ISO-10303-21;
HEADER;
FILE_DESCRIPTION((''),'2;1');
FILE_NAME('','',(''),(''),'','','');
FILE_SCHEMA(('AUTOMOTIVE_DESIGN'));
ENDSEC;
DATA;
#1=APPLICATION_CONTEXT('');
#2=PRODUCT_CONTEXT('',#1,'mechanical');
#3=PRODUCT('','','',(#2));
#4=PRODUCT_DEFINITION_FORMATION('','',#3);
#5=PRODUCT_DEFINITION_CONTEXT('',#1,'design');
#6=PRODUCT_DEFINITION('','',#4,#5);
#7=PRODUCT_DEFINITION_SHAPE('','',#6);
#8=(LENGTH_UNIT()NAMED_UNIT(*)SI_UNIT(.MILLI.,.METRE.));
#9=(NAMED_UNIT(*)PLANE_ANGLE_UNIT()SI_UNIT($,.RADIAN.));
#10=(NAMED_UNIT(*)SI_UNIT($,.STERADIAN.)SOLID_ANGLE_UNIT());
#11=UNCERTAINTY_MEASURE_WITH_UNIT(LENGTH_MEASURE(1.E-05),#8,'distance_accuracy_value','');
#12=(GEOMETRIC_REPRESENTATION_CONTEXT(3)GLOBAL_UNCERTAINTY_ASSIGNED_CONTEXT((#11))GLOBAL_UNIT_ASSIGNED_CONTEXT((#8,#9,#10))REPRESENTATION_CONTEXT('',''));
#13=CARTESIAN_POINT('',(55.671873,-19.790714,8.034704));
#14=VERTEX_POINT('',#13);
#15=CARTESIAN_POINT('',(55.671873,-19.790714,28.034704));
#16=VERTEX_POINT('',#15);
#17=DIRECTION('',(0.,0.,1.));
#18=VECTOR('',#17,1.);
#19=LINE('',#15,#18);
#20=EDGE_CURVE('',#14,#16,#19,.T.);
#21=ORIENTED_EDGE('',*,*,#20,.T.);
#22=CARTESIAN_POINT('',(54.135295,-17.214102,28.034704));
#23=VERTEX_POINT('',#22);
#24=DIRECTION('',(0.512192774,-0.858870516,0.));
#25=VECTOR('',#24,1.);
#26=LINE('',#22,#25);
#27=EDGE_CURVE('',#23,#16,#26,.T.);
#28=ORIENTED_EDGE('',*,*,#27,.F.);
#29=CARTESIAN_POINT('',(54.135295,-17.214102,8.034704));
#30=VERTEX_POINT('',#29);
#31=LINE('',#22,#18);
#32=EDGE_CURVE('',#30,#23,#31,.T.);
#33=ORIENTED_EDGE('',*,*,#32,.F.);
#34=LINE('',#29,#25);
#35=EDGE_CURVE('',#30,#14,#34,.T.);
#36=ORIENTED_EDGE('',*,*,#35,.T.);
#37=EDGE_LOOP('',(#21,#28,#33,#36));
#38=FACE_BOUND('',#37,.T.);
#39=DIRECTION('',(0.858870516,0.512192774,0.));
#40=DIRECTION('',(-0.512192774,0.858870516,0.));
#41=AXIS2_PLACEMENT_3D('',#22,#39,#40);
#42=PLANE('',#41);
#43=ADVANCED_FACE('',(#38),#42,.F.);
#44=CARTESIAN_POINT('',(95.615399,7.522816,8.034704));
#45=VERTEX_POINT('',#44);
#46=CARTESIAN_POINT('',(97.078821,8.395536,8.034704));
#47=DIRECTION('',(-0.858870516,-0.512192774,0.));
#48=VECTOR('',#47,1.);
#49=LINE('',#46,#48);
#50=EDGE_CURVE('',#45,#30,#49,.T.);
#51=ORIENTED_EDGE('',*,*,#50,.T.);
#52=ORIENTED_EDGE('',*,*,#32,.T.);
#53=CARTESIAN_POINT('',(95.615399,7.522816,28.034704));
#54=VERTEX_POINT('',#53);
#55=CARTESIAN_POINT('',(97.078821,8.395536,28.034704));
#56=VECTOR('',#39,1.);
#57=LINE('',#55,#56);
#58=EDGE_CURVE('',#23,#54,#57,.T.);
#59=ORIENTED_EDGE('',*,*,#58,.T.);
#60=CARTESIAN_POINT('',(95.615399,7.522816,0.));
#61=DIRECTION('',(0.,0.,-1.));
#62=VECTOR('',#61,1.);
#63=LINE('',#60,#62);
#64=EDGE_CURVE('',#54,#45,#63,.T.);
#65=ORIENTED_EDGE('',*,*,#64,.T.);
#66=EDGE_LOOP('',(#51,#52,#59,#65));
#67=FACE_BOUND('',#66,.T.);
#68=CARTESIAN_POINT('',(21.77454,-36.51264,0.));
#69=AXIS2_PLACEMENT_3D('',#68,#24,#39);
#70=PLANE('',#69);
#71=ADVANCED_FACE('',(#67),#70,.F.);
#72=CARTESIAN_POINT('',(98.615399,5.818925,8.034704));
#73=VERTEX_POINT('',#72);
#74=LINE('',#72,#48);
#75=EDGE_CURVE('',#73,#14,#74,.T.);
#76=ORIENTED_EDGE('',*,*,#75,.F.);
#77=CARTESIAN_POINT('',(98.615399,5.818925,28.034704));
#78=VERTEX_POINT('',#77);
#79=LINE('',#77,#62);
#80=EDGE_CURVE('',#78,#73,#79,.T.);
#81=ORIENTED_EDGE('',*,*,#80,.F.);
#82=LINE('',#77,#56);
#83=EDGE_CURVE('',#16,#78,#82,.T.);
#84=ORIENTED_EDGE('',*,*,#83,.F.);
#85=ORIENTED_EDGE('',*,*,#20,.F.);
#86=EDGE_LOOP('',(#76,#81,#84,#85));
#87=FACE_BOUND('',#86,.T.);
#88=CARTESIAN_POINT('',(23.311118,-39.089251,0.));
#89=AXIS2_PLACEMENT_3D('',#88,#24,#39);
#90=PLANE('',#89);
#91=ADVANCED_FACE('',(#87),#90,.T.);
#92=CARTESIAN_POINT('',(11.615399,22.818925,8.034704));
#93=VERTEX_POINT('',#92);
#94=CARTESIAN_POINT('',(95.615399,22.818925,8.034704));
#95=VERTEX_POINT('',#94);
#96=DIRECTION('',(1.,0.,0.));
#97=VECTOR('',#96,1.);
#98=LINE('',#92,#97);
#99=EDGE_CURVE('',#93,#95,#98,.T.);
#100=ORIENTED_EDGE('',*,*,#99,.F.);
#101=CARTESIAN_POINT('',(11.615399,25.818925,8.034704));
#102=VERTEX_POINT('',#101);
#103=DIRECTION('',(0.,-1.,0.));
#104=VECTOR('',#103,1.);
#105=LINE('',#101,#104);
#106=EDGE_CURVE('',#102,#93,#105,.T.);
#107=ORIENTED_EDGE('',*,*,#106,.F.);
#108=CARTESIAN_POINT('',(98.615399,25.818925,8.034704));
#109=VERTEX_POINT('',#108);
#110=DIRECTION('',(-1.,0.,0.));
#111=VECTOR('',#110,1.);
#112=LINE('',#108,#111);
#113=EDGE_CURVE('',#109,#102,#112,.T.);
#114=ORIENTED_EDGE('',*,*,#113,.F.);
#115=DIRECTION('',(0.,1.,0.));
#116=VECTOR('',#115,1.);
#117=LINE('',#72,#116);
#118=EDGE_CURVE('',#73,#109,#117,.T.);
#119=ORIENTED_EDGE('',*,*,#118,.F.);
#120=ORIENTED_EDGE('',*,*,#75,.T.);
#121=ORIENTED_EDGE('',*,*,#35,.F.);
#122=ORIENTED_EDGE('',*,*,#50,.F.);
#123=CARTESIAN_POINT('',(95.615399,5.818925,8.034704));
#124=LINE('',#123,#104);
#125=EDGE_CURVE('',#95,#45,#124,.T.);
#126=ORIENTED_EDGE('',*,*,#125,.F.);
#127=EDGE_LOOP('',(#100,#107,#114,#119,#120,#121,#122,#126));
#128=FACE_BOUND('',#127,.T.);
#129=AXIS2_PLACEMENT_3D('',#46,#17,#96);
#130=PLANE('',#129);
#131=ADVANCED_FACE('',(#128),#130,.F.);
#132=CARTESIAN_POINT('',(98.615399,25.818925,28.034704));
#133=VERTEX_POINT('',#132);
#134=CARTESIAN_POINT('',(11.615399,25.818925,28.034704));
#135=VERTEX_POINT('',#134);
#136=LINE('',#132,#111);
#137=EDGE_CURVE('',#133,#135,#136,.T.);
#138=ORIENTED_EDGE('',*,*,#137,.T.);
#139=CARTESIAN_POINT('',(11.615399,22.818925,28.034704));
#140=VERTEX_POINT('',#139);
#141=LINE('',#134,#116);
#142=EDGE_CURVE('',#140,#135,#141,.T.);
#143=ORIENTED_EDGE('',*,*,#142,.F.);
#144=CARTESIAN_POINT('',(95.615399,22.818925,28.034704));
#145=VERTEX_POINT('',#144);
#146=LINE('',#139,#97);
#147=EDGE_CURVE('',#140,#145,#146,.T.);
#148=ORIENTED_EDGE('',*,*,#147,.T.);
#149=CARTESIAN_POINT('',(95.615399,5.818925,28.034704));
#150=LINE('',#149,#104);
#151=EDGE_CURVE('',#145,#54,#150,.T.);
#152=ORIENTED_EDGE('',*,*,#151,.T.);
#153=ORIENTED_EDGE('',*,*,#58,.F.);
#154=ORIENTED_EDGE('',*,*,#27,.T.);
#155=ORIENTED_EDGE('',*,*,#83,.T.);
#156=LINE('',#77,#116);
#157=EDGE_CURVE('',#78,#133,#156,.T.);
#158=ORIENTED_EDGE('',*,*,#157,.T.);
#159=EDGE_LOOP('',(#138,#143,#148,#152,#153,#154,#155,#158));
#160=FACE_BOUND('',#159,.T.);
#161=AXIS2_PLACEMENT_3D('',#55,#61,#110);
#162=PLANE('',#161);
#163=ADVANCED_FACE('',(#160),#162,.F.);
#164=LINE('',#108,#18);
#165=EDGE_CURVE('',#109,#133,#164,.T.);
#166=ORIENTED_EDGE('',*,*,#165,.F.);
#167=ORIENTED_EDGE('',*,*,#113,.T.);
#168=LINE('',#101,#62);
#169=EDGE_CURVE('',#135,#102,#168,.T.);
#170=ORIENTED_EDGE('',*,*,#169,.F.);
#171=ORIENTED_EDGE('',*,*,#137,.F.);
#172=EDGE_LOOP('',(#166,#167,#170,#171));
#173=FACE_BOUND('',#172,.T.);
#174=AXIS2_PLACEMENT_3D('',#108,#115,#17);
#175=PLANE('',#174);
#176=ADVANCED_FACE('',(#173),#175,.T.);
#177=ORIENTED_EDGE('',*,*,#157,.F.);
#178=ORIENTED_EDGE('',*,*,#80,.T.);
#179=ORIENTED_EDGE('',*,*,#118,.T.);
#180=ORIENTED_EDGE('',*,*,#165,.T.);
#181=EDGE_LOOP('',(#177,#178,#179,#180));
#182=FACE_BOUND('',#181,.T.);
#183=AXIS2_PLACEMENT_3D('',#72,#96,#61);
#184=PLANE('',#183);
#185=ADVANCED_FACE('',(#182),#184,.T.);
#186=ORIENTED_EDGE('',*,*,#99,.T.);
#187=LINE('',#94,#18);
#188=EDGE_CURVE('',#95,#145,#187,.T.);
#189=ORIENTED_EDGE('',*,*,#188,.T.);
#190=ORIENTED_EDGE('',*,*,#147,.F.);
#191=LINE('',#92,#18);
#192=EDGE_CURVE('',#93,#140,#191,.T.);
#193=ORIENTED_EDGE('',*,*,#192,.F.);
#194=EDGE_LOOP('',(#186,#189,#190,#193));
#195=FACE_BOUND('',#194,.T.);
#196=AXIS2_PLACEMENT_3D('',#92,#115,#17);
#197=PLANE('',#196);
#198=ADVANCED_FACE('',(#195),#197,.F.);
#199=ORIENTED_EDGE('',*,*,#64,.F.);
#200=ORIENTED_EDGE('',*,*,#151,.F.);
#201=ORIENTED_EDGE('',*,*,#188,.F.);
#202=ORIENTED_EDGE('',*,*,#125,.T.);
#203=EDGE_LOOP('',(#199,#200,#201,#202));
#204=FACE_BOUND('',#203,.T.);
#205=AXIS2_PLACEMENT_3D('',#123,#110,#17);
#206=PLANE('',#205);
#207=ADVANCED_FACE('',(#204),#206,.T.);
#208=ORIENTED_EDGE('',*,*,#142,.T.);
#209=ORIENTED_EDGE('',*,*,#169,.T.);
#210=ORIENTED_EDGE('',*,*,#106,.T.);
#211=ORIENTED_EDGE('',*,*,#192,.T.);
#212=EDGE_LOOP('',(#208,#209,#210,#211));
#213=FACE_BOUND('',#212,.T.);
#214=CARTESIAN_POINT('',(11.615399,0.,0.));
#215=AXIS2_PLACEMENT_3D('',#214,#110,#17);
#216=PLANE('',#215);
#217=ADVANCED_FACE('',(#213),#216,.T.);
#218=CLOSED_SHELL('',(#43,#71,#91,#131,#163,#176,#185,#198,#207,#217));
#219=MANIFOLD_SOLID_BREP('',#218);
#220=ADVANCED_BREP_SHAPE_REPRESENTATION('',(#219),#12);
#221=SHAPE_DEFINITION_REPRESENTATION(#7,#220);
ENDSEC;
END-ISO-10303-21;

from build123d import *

# Parameters (mm, degrees)
SKETCH2_W           = 20
SKETCH2_H           = 50
BOSS_EXTRUDE1_DEPTH = 3
SKETCH3_W           = 3
SKETCH3_H           = 20
BOSS_EXTRUDE2_DEPTH = 20
SKETCH4_W           = 20
SKETCH4_H           = 3
BOSS_EXTRUDE3_DEPTH = 84


with BuildPart() as part:
    # Sketch2 → Boss-Extrude1 (new body)
    with BuildSketch(Plane(origin=(23.311118251, -39.089251492, 0), x_dir=(0, 0, 1), z_dir=(-0.5121927738543929, 0.8588705155093768, 0))):
        with Locations((18.034703764, 62.678269869)):
            Rectangle(SKETCH2_W, SKETCH2_H)
    extrude(amount=BOSS_EXTRUDE1_DEPTH)

    # Sketch3 → Boss-Extrude2 (add)
    with BuildSketch(Plane.XY.offset(28.034703764)):
        with Locations((97.115399092, 15.818924759)):
            Rectangle(SKETCH3_W, SKETCH3_H)
    extrude(amount=-BOSS_EXTRUDE2_DEPTH)

    # Sketch4 → Boss-Extrude3 (add)
    with BuildSketch(Plane.ZY.offset(-95.615399092)):
        with Locations((18.034703764, 24.318924759)):
            Rectangle(SKETCH4_W, SKETCH4_H)
    extrude(amount=BOSS_EXTRUDE3_DEPTH)


solid = part.part
